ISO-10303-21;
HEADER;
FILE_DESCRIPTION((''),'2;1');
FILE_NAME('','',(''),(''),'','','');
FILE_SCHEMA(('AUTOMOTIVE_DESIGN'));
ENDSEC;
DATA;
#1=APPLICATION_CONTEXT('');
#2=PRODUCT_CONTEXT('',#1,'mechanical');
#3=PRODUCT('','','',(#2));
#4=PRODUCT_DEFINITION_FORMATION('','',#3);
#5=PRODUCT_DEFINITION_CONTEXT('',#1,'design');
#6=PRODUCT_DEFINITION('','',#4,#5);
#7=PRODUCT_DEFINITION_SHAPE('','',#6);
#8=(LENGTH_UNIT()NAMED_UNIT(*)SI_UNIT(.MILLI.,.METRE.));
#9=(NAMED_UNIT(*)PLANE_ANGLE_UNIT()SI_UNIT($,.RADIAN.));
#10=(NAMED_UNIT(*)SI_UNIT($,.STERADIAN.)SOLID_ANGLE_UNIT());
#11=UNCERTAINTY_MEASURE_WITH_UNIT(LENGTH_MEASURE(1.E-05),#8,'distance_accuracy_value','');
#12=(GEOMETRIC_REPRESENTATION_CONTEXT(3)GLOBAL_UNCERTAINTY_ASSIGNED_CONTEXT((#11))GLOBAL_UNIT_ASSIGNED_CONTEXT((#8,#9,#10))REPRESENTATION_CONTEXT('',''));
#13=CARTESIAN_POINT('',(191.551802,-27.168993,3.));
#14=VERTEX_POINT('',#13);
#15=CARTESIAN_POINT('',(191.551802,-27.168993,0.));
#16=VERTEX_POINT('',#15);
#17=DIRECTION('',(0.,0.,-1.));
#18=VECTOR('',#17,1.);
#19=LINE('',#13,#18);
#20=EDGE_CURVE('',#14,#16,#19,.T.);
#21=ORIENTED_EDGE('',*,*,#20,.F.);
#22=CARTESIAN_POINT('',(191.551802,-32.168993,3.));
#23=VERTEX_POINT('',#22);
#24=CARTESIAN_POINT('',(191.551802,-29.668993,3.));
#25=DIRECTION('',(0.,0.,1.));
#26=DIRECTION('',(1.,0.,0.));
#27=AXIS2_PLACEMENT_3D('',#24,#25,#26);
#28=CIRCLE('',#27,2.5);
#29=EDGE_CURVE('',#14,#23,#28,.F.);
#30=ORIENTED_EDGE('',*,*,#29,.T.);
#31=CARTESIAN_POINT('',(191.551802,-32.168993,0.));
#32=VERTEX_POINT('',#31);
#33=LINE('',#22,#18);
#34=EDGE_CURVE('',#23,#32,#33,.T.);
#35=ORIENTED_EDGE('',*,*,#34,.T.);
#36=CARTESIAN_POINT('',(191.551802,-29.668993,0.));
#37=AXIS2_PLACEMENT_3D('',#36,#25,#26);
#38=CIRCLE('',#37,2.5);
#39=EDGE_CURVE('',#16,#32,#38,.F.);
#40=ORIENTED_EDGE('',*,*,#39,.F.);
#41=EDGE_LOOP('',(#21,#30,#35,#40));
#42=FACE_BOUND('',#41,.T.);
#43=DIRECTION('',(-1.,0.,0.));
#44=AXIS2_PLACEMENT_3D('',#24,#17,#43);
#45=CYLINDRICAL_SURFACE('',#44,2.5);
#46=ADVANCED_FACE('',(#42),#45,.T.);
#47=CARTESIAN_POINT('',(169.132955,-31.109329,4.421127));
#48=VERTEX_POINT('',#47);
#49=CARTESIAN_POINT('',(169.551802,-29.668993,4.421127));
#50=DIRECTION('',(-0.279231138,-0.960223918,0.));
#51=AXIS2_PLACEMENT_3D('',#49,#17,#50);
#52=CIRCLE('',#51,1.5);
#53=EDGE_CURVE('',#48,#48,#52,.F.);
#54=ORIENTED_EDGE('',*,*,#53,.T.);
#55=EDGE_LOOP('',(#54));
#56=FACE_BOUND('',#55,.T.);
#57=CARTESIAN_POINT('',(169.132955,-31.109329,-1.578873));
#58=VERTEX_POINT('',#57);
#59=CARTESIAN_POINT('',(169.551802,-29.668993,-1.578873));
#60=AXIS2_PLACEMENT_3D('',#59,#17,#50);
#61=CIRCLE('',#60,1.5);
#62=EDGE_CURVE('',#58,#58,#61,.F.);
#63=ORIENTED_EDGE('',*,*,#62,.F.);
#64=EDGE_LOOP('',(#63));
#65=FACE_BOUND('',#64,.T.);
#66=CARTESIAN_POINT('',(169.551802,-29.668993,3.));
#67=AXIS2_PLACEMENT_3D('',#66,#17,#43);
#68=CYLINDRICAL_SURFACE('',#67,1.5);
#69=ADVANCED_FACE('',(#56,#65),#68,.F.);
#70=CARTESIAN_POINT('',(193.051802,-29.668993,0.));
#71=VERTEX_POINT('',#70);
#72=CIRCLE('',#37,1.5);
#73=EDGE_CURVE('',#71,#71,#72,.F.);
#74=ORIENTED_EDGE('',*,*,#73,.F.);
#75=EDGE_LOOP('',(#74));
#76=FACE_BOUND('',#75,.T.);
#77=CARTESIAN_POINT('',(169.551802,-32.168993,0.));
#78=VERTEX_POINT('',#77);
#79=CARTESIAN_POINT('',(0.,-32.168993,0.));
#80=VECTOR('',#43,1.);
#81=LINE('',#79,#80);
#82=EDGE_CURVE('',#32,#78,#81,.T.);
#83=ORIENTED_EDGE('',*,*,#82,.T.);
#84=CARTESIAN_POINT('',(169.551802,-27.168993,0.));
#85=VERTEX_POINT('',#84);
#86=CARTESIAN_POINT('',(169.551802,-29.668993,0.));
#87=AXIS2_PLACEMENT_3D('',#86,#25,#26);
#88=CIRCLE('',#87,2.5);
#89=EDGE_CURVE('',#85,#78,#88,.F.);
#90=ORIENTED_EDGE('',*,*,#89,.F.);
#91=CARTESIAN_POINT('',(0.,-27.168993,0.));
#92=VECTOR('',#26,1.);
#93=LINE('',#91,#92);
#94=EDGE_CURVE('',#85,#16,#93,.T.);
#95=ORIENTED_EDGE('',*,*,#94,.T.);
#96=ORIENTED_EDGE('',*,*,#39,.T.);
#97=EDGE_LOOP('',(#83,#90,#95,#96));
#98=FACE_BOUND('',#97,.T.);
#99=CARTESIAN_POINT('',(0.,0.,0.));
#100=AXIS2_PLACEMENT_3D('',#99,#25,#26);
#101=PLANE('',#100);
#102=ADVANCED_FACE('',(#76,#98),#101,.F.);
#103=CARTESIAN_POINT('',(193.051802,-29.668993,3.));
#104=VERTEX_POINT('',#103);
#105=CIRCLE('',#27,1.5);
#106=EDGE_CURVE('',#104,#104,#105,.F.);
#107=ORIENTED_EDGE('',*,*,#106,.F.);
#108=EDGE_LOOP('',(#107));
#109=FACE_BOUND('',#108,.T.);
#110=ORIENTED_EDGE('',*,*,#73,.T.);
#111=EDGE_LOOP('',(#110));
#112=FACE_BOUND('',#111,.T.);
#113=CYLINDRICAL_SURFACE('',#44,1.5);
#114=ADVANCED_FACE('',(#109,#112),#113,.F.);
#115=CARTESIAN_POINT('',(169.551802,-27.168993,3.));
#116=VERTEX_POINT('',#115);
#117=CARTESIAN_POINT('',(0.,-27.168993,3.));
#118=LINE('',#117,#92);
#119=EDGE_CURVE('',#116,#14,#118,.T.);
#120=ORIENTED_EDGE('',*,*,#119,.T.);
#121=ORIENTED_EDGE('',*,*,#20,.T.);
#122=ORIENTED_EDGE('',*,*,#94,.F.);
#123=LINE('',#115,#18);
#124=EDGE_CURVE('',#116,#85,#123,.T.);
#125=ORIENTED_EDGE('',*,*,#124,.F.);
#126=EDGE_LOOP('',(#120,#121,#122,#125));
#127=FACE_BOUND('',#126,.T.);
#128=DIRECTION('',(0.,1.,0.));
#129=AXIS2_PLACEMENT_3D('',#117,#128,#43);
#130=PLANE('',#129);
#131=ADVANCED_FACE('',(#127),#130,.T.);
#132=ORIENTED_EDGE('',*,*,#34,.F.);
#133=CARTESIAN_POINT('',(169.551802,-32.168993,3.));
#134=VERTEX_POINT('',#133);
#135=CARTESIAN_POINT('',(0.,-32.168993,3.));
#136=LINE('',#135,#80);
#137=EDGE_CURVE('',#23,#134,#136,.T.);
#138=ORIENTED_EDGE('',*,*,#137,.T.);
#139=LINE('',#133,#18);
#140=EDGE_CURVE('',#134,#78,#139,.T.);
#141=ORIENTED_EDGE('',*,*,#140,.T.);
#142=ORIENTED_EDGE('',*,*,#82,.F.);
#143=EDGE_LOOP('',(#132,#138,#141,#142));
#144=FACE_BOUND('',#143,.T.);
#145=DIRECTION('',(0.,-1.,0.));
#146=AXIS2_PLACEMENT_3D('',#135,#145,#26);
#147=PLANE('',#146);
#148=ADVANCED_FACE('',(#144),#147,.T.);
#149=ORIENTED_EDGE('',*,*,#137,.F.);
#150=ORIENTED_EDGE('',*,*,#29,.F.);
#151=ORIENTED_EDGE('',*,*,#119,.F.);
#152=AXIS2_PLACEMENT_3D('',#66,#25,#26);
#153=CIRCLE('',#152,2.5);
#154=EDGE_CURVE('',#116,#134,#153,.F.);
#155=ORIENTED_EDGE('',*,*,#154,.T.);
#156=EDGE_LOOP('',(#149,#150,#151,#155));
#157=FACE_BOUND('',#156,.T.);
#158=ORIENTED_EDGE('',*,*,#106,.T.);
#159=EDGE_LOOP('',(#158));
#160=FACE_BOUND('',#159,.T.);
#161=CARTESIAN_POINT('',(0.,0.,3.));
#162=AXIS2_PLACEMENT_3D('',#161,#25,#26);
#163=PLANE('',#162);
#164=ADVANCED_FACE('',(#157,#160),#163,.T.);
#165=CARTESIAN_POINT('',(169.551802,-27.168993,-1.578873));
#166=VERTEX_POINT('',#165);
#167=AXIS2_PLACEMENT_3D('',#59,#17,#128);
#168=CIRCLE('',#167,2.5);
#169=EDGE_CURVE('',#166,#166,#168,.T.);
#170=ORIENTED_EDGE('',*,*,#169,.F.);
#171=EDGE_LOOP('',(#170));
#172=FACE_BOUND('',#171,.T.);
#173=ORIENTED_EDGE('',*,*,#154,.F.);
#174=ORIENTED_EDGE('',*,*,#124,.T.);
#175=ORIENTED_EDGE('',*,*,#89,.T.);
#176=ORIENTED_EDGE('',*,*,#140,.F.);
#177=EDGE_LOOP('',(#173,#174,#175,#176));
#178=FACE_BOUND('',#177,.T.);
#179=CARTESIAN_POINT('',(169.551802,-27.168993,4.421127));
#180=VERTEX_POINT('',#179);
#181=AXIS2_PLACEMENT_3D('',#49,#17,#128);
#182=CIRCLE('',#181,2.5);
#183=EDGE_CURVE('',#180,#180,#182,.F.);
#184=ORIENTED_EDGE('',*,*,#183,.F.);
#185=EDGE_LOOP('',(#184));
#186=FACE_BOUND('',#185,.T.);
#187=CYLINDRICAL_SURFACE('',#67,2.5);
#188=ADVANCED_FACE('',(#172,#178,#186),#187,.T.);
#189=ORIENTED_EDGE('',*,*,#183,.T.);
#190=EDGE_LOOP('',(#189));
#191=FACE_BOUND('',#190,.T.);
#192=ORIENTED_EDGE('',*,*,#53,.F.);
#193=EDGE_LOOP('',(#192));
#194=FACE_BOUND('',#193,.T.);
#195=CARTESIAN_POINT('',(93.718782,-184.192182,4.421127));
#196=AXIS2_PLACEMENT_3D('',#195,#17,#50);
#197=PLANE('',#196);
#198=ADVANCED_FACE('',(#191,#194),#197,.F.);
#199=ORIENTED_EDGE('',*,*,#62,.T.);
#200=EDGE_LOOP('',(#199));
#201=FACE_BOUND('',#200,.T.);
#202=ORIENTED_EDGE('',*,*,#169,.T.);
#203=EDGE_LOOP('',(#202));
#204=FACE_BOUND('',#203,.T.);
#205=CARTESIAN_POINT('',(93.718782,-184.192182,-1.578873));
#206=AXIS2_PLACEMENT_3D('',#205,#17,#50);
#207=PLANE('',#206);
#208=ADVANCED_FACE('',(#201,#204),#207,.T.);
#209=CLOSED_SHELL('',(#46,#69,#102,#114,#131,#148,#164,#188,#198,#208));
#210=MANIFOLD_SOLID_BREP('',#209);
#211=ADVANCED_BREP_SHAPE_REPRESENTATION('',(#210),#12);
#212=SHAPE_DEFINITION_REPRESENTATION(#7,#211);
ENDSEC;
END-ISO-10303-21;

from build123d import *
from build123d.topology import SkipClean

# Parameters (mm, degrees)
CROQUIS1_R                   = 2.5
CROQUIS1_R_2                 = 1.5
SALIENTE_EXTRUIR1_DEPTH      = 3
SALIENTE_EXTRUIR2_DEPTH      = 3.078873
SALIENTE_EXTRUIR2_DEPTH_BACK = 2.921127
CROQUIS2_R                   = 2.5
CROQUIS2_R_2                 = 1.5


with BuildPart() as part:
    # Croquis1 → Saliente-Extruir1 (new body)
    # profile 1 of 3: a face of its own
    with BuildSketch(Plane.XY):
        with BuildLine():
            Line((191.551801515, -27.168993214), (169.551801515, -27.168993214))
            ThreePointArc((169.551801515, -27.168993214), (171.319568468, -27.901226261), (172.051801515, -29.668993214))
            ThreePointArc((172.051801515, -29.668993214), (171.319568468, -31.436760167), (169.551801515, -32.168993214))
            Line((169.551801515, -32.168993214), (191.551801515, -32.168993214))
            ThreePointArc((191.551801515, -32.168993214), (189.051801515, -29.668993214), (191.551801515, -27.168993214))
        make_face()
    # profile 2 of 3: a face of its own
    with BuildSketch(Plane.XY):
        with Locations((191.551801515, -29.668993214)):
            Circle(CROQUIS1_R)
        with Locations((191.551801515, -29.668993214)):
            Circle(CROQUIS1_R_2, mode=Mode.SUBTRACT)
    # profile 3 of 3: a face of its own
    with BuildSketch(Plane.XY):
        with Locations((169.551801515, -29.668993214)):
            Circle(CROQUIS1_R)
        with Locations((169.551801515, -29.668993214)):
            Circle(CROQUIS1_R_2, mode=Mode.SUBTRACT)
    extrude(amount=SALIENTE_EXTRUIR1_DEPTH)

    # Croquis2 → Saliente-Extruir2 (add, two sides: drawn at the far end of the back side and taken through both)
    with SkipClean():  # the faces are left unmerged after this step: merging them gives an invalid solid
        with BuildSketch(Plane(origin=(0, 0, 1.5), x_dir=(-1, 0, 0), z_dir=(0, 0, -1)).offset(-SALIENTE_EXTRUIR2_DEPTH_BACK)):
            with Locations(Location((-169.551801515, -29.668993214, 0), (0, 0, 90))):
                Circle(CROQUIS2_R)
            with Locations(Location((-169.551801515, -29.668993214, 0), (0, 0, 286.214321969))):
                Circle(CROQUIS2_R_2, mode=Mode.SUBTRACT)
        extrude(amount=SALIENTE_EXTRUIR2_DEPTH + SALIENTE_EXTRUIR2_DEPTH_BACK)


solid = part.part
